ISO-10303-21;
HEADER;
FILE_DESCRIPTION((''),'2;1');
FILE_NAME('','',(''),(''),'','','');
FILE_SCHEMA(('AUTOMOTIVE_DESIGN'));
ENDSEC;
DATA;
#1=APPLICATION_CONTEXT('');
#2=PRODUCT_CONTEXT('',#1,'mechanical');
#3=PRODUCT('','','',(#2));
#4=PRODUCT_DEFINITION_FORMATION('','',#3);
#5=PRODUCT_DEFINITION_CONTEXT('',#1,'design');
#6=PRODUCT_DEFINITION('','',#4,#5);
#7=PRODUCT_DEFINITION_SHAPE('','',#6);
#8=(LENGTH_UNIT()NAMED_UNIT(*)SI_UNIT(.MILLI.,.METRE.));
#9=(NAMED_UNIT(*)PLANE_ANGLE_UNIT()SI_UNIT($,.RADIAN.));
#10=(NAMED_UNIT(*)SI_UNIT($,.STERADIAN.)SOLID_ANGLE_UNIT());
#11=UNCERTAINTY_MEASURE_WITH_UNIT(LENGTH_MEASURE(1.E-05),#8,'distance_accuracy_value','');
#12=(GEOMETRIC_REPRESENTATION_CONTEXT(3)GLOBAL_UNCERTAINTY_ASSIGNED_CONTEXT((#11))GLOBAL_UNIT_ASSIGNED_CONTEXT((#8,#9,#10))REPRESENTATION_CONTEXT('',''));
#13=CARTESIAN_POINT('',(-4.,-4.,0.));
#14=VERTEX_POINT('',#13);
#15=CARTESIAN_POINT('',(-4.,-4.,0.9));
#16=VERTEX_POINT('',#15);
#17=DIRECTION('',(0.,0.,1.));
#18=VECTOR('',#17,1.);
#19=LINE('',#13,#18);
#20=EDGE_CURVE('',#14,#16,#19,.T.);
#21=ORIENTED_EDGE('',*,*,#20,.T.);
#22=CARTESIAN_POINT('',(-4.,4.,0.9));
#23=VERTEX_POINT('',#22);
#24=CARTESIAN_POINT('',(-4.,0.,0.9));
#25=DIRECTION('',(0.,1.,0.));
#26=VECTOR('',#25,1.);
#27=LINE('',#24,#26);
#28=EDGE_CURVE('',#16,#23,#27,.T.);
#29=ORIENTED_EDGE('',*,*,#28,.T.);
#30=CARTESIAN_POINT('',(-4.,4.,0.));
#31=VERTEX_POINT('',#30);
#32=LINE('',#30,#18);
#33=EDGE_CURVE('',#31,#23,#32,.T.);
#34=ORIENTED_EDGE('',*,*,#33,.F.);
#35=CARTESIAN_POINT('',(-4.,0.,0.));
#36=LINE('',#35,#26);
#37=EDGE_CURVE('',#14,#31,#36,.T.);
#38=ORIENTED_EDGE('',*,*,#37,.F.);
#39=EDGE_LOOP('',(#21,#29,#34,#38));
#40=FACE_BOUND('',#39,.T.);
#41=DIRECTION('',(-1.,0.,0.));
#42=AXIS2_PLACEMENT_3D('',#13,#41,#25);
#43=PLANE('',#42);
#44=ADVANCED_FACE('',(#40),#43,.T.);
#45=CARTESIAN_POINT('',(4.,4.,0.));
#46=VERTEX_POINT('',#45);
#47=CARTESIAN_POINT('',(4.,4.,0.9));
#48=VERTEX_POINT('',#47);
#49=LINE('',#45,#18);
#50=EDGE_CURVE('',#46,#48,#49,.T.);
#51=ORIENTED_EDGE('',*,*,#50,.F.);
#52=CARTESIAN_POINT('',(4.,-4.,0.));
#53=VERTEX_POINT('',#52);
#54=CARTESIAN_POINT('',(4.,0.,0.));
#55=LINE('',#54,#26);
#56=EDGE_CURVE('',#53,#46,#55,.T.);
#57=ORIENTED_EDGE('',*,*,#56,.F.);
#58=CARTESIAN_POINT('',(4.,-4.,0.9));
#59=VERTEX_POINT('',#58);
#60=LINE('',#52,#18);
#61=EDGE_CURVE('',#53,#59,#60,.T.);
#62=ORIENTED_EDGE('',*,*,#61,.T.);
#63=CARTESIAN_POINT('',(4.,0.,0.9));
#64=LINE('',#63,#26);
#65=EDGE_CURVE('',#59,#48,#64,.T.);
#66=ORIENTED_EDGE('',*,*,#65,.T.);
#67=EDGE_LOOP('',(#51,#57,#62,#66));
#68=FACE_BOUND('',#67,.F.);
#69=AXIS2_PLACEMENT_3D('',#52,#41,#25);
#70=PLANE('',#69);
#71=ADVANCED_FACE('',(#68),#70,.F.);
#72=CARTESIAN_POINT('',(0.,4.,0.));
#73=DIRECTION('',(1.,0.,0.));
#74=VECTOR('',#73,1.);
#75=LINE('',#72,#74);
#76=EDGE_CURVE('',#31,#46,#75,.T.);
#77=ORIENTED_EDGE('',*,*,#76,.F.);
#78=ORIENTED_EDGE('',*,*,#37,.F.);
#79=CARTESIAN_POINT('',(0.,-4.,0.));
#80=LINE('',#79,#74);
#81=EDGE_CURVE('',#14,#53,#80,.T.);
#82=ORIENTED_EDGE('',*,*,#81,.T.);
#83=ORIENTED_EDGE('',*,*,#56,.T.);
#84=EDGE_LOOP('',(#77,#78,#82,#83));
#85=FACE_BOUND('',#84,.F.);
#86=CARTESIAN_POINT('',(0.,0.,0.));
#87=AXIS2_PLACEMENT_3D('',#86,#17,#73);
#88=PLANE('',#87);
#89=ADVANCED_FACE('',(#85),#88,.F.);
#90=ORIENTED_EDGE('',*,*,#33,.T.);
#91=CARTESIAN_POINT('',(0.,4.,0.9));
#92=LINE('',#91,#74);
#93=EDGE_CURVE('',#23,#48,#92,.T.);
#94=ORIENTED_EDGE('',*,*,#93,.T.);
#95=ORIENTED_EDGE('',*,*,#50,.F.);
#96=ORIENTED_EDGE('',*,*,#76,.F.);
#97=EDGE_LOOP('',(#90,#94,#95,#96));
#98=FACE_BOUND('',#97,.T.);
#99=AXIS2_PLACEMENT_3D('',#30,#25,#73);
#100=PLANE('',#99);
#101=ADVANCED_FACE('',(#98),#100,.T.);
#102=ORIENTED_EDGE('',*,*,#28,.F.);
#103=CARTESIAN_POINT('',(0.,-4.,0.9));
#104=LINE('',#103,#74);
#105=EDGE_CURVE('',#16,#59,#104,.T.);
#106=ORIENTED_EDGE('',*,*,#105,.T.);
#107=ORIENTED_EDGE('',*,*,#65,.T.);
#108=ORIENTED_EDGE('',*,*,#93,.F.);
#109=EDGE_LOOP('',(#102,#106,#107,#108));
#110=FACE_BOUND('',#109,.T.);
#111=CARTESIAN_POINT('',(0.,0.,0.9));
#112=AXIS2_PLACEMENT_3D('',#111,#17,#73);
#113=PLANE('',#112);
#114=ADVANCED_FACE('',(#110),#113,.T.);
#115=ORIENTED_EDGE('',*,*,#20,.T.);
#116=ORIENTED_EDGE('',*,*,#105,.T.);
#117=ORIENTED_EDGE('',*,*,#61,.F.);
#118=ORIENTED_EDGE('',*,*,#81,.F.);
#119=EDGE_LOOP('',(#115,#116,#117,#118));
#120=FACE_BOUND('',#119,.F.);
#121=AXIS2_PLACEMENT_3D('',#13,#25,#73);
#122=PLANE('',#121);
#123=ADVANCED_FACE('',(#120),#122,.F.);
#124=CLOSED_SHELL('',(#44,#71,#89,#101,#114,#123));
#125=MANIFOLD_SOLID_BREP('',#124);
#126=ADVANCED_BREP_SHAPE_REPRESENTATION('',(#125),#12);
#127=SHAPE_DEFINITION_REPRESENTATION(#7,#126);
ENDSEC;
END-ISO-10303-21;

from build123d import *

# Parameters (mm, degrees)
F0_W     = 8
F0_H     = 8
F0_R     = 1.9
F1_DEPTH = 0.9


with BuildPart() as f1:
    # F0 (on Top) → F1 (new body)
    with BuildSketch(Plane.XY):
        Rectangle(F0_W, F0_H)
        Circle(F0_R, mode=Mode.SUBTRACT)
        Circle(F0_R)
    extrude(amount=F1_DEPTH)


solid = f1.part
